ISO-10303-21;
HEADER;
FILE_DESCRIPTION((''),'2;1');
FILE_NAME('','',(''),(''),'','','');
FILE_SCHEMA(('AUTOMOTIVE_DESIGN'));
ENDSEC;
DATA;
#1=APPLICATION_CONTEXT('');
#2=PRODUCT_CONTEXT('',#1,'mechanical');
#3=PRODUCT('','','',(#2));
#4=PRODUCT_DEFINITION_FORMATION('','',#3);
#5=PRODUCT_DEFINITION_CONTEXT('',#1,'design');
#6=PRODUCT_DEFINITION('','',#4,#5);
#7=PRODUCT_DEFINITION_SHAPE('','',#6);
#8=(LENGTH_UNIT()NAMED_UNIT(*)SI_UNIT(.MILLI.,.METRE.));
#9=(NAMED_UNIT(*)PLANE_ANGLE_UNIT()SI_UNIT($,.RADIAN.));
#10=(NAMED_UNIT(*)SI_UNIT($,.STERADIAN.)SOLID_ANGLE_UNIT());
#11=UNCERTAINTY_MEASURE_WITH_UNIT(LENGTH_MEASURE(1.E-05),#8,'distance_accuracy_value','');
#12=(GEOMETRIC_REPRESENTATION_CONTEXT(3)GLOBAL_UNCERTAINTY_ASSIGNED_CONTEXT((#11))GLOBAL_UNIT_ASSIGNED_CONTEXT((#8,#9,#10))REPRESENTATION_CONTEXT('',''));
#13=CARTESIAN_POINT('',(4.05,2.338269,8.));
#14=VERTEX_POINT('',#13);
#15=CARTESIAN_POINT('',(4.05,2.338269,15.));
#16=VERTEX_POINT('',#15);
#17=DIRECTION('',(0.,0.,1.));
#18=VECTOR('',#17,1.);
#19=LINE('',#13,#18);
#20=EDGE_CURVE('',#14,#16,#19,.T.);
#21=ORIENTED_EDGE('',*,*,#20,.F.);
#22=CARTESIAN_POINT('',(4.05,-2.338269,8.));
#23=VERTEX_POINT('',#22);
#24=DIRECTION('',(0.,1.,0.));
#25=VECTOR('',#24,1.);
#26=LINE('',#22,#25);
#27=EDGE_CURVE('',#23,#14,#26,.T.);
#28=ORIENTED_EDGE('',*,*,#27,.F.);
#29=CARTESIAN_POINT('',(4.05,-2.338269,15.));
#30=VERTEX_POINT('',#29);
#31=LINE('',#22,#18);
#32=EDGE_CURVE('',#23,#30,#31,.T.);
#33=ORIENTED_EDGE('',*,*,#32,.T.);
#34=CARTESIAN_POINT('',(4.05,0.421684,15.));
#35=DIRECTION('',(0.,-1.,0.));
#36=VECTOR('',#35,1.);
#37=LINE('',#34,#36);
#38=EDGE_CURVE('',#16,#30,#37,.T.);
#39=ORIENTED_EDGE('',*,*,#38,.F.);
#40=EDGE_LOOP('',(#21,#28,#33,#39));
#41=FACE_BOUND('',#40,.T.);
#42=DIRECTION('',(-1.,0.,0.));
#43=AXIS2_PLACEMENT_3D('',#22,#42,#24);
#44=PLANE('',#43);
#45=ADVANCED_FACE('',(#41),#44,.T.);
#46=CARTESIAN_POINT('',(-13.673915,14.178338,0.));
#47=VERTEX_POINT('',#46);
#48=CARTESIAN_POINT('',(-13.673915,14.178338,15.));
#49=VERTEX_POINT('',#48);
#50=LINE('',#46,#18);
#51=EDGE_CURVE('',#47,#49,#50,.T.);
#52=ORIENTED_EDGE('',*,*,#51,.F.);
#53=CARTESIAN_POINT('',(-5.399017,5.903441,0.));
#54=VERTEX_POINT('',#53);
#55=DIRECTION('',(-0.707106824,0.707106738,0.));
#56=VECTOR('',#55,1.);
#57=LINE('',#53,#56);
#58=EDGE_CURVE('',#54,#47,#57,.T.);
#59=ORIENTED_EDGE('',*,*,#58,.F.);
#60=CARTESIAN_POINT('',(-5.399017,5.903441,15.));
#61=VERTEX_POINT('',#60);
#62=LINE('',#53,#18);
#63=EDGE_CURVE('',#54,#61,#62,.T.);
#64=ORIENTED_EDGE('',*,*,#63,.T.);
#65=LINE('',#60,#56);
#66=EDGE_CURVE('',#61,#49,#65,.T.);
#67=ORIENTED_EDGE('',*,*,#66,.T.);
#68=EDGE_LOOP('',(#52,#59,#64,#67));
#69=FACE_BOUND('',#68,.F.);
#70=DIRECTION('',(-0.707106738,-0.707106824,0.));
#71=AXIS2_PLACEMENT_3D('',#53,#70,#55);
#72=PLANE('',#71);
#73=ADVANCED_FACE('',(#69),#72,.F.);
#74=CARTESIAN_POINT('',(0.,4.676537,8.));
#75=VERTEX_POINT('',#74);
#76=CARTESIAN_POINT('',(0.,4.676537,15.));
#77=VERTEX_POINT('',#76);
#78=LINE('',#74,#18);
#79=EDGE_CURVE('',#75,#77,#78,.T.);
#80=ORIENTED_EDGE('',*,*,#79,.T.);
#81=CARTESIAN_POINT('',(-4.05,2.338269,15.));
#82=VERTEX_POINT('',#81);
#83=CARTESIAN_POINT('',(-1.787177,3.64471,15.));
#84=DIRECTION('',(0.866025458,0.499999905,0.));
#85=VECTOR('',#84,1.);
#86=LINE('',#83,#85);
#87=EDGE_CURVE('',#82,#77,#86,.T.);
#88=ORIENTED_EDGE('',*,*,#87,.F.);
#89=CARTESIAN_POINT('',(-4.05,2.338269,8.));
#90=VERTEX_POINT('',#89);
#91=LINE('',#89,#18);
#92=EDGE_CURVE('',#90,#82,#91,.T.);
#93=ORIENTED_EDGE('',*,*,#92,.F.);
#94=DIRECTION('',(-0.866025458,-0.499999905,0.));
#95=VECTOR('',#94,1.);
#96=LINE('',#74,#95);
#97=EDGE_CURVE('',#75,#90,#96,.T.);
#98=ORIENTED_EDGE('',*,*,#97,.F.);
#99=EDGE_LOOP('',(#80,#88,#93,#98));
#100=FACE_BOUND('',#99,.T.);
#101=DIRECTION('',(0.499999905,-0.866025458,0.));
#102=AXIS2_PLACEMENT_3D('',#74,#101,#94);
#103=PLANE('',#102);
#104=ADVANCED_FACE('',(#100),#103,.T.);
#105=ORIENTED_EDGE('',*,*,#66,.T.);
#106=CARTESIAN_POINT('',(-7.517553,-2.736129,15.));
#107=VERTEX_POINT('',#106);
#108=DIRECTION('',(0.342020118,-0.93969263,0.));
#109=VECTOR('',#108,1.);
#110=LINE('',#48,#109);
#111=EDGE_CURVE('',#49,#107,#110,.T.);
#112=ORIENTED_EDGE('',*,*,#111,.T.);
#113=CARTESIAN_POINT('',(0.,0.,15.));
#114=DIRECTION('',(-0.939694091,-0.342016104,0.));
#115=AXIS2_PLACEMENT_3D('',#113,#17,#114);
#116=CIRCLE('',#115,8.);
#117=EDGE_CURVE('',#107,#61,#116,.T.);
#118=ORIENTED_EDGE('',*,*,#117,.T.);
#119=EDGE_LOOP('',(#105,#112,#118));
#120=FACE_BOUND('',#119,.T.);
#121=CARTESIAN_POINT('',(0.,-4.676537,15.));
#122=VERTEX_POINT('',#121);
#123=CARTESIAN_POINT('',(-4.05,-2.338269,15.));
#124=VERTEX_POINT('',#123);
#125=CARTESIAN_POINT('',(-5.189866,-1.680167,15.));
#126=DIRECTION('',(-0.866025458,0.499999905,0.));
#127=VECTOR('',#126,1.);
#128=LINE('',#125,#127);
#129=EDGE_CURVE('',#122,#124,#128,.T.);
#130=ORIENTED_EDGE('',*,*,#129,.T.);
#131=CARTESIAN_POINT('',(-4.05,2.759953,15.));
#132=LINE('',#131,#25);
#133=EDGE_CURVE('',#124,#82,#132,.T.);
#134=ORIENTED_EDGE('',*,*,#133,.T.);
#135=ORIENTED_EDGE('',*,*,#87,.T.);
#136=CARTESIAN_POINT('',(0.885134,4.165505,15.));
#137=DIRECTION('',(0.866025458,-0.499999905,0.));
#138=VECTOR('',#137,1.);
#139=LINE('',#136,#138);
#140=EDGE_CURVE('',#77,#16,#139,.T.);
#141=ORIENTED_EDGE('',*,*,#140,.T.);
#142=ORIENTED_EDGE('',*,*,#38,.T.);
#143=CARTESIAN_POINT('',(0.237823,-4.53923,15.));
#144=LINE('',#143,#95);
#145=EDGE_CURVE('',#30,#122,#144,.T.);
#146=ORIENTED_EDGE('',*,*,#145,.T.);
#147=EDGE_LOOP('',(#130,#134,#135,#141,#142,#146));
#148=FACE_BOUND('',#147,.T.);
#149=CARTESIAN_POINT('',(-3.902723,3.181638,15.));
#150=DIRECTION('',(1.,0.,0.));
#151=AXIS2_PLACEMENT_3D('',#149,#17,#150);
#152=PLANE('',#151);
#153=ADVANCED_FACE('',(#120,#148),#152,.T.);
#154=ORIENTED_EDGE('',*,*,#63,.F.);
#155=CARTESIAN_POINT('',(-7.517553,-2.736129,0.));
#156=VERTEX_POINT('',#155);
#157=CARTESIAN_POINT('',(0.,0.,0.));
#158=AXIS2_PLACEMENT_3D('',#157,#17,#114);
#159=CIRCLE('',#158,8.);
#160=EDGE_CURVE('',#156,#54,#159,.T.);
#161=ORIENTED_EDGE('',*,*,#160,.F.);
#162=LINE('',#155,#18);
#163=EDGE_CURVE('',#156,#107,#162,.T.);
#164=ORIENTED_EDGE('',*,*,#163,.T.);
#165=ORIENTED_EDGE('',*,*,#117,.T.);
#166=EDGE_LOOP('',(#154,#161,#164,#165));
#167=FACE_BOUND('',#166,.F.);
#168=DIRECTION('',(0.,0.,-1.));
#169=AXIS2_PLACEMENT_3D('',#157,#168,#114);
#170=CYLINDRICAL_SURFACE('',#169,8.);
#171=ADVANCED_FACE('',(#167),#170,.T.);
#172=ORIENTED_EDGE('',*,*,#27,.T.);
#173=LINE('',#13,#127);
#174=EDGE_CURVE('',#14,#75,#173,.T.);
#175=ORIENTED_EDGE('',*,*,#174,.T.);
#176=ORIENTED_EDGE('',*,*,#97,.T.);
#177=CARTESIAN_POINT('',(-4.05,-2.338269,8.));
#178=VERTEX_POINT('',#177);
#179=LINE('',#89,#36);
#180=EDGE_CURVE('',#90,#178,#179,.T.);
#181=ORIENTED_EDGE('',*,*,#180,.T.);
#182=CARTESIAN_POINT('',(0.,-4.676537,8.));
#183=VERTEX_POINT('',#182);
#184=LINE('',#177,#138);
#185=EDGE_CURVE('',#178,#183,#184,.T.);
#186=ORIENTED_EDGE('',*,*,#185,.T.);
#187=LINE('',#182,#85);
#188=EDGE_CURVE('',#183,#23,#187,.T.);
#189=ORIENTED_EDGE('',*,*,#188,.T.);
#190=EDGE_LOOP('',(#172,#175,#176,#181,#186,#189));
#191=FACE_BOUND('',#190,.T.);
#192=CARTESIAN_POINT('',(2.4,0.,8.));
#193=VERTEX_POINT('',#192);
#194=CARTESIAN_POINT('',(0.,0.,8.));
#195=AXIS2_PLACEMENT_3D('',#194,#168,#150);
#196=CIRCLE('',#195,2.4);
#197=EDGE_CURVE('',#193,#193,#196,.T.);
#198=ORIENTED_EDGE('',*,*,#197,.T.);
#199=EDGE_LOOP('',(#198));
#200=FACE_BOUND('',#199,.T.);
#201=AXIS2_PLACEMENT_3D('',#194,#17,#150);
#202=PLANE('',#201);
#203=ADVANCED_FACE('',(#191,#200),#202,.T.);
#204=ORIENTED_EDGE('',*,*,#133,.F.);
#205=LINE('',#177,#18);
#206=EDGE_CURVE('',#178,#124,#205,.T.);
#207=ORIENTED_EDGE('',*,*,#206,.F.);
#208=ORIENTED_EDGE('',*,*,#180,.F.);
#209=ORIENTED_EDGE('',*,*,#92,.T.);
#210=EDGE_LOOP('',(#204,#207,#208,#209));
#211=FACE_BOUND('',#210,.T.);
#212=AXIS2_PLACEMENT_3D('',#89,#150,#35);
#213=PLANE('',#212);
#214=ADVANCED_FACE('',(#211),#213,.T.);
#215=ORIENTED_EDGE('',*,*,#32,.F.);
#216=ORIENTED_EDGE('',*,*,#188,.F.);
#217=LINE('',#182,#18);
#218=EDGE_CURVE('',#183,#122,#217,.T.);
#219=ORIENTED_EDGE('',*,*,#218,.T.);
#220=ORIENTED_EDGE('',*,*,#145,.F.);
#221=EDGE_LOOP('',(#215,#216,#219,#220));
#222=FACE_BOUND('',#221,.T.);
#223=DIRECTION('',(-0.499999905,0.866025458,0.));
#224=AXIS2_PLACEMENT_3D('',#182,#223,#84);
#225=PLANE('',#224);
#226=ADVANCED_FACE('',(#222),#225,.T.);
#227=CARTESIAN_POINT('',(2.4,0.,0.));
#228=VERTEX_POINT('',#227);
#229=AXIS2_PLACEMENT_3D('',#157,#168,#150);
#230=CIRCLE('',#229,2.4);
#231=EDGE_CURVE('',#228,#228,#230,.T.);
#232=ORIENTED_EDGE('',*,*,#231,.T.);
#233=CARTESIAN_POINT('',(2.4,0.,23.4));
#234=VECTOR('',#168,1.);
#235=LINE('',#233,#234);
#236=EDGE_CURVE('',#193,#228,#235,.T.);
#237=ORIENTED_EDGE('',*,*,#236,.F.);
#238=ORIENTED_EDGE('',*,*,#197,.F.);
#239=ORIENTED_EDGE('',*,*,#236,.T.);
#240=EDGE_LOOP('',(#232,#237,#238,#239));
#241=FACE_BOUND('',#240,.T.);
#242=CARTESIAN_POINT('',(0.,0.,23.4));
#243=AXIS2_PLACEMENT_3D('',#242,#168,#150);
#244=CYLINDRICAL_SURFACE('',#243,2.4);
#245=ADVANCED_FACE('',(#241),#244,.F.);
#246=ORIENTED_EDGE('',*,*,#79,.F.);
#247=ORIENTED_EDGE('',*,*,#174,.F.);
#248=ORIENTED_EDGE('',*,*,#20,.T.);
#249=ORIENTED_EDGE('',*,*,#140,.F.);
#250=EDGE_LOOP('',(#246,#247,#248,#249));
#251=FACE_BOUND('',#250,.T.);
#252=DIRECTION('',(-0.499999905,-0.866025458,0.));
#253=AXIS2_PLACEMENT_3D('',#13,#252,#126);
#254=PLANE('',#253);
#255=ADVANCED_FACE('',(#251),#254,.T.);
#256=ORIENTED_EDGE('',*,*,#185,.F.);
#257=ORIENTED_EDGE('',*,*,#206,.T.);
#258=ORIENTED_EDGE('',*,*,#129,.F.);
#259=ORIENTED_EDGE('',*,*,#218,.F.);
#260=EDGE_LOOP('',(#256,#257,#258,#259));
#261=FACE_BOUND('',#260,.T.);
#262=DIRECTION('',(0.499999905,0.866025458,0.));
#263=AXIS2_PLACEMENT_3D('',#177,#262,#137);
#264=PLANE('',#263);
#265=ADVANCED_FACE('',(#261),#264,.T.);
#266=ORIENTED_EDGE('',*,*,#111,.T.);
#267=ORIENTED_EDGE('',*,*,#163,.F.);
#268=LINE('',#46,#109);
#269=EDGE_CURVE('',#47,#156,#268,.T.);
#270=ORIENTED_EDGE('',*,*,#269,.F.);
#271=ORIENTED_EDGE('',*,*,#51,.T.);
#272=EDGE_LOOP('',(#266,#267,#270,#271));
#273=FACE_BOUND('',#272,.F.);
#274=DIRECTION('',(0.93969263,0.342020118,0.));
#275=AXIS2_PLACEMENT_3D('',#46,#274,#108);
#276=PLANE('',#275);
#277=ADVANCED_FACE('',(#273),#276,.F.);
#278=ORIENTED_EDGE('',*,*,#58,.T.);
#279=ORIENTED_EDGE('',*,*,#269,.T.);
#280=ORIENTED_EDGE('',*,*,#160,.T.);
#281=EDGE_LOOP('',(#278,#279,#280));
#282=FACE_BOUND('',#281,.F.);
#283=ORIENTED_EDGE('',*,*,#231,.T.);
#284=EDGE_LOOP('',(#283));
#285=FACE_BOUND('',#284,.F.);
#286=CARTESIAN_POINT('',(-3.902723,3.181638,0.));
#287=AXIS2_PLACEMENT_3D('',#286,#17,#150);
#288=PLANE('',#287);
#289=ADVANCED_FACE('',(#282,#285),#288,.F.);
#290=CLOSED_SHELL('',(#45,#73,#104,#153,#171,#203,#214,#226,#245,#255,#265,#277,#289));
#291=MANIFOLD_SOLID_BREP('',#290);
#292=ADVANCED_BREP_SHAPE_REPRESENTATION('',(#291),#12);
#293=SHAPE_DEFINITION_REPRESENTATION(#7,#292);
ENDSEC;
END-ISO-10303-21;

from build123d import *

# Parameters (mm, degrees)
CLONE027_ROLL_ANGLE = 90
PAD014_DEPTH        = 10
PAD006_DEPTH        = 15


with BuildPart() as clone_of_m5countersinkslot002:
    # Sketch013 → Revolution (revolve)
    with BuildSketch(Plane.XY):
        Polygon((0, 20), (5, 20), (5, 0), (2.4, -2.6), (2.4, -45), (0, -45), align=None)
    revolve(axis=Axis((0, 0, 0), (0, 1, 0)))


with BuildPart() as clone_of_m5countersinkslot002_1:
    # Clone027 roll: moved
    add(clone_of_m5countersinkslot002.part.rotate(Axis((0, 0, 0), (1, 0, 0)), CLONE027_ROLL_ANGLE))


with BuildPart() as clone_of_m5countersinkslot002_2:
    # Clone027 placement: moved
    add(clone_of_m5countersinkslot002_1.part.moved(Location((0, 0, 26))))


with BuildPart() as clone_of_din934slot001:
    # Sketch014 → Pad014 (new body)
    with BuildSketch(Plane.XY):
        Polygon((4.05, -2.338269), (4.05, 2.338269), (0, 4.676537), (-4.05, 2.338269), (-4.05, -2.338269), (0, -4.676537), align=None)
    extrude(amount=PAD014_DEPTH)


with BuildPart() as clone_of_din934slot001_1:
    # Clone026 placement: moved
    add(clone_of_din934slot001.part.moved(Location((0, 0, 8))))


with BuildPart() as normalhinge:
    # Clone2D001 → Pad006 (new body)
    with BuildSketch(Plane.XY):
        with BuildLine():
            ThreePointArc((-7.517553, -2.736129), (7.769812, -1.90526), (-5.399017, 5.903441))
            Line((-5.399017, 5.903441), (-13.673915, 14.178338))
            Line((-13.673915, 14.178338), (-7.517553, -2.736129))
        make_face()
    extrude(amount=PAD006_DEPTH)

    # Cut017: cut Clone of DIN934Slot001
    add(clone_of_din934slot001_1.part, mode=Mode.SUBTRACT)

    # Cut007: cut Clone of M5CounterSinkSlot002
    add(clone_of_m5countersinkslot002_2.part, mode=Mode.SUBTRACT)


solid = normalhinge.part
